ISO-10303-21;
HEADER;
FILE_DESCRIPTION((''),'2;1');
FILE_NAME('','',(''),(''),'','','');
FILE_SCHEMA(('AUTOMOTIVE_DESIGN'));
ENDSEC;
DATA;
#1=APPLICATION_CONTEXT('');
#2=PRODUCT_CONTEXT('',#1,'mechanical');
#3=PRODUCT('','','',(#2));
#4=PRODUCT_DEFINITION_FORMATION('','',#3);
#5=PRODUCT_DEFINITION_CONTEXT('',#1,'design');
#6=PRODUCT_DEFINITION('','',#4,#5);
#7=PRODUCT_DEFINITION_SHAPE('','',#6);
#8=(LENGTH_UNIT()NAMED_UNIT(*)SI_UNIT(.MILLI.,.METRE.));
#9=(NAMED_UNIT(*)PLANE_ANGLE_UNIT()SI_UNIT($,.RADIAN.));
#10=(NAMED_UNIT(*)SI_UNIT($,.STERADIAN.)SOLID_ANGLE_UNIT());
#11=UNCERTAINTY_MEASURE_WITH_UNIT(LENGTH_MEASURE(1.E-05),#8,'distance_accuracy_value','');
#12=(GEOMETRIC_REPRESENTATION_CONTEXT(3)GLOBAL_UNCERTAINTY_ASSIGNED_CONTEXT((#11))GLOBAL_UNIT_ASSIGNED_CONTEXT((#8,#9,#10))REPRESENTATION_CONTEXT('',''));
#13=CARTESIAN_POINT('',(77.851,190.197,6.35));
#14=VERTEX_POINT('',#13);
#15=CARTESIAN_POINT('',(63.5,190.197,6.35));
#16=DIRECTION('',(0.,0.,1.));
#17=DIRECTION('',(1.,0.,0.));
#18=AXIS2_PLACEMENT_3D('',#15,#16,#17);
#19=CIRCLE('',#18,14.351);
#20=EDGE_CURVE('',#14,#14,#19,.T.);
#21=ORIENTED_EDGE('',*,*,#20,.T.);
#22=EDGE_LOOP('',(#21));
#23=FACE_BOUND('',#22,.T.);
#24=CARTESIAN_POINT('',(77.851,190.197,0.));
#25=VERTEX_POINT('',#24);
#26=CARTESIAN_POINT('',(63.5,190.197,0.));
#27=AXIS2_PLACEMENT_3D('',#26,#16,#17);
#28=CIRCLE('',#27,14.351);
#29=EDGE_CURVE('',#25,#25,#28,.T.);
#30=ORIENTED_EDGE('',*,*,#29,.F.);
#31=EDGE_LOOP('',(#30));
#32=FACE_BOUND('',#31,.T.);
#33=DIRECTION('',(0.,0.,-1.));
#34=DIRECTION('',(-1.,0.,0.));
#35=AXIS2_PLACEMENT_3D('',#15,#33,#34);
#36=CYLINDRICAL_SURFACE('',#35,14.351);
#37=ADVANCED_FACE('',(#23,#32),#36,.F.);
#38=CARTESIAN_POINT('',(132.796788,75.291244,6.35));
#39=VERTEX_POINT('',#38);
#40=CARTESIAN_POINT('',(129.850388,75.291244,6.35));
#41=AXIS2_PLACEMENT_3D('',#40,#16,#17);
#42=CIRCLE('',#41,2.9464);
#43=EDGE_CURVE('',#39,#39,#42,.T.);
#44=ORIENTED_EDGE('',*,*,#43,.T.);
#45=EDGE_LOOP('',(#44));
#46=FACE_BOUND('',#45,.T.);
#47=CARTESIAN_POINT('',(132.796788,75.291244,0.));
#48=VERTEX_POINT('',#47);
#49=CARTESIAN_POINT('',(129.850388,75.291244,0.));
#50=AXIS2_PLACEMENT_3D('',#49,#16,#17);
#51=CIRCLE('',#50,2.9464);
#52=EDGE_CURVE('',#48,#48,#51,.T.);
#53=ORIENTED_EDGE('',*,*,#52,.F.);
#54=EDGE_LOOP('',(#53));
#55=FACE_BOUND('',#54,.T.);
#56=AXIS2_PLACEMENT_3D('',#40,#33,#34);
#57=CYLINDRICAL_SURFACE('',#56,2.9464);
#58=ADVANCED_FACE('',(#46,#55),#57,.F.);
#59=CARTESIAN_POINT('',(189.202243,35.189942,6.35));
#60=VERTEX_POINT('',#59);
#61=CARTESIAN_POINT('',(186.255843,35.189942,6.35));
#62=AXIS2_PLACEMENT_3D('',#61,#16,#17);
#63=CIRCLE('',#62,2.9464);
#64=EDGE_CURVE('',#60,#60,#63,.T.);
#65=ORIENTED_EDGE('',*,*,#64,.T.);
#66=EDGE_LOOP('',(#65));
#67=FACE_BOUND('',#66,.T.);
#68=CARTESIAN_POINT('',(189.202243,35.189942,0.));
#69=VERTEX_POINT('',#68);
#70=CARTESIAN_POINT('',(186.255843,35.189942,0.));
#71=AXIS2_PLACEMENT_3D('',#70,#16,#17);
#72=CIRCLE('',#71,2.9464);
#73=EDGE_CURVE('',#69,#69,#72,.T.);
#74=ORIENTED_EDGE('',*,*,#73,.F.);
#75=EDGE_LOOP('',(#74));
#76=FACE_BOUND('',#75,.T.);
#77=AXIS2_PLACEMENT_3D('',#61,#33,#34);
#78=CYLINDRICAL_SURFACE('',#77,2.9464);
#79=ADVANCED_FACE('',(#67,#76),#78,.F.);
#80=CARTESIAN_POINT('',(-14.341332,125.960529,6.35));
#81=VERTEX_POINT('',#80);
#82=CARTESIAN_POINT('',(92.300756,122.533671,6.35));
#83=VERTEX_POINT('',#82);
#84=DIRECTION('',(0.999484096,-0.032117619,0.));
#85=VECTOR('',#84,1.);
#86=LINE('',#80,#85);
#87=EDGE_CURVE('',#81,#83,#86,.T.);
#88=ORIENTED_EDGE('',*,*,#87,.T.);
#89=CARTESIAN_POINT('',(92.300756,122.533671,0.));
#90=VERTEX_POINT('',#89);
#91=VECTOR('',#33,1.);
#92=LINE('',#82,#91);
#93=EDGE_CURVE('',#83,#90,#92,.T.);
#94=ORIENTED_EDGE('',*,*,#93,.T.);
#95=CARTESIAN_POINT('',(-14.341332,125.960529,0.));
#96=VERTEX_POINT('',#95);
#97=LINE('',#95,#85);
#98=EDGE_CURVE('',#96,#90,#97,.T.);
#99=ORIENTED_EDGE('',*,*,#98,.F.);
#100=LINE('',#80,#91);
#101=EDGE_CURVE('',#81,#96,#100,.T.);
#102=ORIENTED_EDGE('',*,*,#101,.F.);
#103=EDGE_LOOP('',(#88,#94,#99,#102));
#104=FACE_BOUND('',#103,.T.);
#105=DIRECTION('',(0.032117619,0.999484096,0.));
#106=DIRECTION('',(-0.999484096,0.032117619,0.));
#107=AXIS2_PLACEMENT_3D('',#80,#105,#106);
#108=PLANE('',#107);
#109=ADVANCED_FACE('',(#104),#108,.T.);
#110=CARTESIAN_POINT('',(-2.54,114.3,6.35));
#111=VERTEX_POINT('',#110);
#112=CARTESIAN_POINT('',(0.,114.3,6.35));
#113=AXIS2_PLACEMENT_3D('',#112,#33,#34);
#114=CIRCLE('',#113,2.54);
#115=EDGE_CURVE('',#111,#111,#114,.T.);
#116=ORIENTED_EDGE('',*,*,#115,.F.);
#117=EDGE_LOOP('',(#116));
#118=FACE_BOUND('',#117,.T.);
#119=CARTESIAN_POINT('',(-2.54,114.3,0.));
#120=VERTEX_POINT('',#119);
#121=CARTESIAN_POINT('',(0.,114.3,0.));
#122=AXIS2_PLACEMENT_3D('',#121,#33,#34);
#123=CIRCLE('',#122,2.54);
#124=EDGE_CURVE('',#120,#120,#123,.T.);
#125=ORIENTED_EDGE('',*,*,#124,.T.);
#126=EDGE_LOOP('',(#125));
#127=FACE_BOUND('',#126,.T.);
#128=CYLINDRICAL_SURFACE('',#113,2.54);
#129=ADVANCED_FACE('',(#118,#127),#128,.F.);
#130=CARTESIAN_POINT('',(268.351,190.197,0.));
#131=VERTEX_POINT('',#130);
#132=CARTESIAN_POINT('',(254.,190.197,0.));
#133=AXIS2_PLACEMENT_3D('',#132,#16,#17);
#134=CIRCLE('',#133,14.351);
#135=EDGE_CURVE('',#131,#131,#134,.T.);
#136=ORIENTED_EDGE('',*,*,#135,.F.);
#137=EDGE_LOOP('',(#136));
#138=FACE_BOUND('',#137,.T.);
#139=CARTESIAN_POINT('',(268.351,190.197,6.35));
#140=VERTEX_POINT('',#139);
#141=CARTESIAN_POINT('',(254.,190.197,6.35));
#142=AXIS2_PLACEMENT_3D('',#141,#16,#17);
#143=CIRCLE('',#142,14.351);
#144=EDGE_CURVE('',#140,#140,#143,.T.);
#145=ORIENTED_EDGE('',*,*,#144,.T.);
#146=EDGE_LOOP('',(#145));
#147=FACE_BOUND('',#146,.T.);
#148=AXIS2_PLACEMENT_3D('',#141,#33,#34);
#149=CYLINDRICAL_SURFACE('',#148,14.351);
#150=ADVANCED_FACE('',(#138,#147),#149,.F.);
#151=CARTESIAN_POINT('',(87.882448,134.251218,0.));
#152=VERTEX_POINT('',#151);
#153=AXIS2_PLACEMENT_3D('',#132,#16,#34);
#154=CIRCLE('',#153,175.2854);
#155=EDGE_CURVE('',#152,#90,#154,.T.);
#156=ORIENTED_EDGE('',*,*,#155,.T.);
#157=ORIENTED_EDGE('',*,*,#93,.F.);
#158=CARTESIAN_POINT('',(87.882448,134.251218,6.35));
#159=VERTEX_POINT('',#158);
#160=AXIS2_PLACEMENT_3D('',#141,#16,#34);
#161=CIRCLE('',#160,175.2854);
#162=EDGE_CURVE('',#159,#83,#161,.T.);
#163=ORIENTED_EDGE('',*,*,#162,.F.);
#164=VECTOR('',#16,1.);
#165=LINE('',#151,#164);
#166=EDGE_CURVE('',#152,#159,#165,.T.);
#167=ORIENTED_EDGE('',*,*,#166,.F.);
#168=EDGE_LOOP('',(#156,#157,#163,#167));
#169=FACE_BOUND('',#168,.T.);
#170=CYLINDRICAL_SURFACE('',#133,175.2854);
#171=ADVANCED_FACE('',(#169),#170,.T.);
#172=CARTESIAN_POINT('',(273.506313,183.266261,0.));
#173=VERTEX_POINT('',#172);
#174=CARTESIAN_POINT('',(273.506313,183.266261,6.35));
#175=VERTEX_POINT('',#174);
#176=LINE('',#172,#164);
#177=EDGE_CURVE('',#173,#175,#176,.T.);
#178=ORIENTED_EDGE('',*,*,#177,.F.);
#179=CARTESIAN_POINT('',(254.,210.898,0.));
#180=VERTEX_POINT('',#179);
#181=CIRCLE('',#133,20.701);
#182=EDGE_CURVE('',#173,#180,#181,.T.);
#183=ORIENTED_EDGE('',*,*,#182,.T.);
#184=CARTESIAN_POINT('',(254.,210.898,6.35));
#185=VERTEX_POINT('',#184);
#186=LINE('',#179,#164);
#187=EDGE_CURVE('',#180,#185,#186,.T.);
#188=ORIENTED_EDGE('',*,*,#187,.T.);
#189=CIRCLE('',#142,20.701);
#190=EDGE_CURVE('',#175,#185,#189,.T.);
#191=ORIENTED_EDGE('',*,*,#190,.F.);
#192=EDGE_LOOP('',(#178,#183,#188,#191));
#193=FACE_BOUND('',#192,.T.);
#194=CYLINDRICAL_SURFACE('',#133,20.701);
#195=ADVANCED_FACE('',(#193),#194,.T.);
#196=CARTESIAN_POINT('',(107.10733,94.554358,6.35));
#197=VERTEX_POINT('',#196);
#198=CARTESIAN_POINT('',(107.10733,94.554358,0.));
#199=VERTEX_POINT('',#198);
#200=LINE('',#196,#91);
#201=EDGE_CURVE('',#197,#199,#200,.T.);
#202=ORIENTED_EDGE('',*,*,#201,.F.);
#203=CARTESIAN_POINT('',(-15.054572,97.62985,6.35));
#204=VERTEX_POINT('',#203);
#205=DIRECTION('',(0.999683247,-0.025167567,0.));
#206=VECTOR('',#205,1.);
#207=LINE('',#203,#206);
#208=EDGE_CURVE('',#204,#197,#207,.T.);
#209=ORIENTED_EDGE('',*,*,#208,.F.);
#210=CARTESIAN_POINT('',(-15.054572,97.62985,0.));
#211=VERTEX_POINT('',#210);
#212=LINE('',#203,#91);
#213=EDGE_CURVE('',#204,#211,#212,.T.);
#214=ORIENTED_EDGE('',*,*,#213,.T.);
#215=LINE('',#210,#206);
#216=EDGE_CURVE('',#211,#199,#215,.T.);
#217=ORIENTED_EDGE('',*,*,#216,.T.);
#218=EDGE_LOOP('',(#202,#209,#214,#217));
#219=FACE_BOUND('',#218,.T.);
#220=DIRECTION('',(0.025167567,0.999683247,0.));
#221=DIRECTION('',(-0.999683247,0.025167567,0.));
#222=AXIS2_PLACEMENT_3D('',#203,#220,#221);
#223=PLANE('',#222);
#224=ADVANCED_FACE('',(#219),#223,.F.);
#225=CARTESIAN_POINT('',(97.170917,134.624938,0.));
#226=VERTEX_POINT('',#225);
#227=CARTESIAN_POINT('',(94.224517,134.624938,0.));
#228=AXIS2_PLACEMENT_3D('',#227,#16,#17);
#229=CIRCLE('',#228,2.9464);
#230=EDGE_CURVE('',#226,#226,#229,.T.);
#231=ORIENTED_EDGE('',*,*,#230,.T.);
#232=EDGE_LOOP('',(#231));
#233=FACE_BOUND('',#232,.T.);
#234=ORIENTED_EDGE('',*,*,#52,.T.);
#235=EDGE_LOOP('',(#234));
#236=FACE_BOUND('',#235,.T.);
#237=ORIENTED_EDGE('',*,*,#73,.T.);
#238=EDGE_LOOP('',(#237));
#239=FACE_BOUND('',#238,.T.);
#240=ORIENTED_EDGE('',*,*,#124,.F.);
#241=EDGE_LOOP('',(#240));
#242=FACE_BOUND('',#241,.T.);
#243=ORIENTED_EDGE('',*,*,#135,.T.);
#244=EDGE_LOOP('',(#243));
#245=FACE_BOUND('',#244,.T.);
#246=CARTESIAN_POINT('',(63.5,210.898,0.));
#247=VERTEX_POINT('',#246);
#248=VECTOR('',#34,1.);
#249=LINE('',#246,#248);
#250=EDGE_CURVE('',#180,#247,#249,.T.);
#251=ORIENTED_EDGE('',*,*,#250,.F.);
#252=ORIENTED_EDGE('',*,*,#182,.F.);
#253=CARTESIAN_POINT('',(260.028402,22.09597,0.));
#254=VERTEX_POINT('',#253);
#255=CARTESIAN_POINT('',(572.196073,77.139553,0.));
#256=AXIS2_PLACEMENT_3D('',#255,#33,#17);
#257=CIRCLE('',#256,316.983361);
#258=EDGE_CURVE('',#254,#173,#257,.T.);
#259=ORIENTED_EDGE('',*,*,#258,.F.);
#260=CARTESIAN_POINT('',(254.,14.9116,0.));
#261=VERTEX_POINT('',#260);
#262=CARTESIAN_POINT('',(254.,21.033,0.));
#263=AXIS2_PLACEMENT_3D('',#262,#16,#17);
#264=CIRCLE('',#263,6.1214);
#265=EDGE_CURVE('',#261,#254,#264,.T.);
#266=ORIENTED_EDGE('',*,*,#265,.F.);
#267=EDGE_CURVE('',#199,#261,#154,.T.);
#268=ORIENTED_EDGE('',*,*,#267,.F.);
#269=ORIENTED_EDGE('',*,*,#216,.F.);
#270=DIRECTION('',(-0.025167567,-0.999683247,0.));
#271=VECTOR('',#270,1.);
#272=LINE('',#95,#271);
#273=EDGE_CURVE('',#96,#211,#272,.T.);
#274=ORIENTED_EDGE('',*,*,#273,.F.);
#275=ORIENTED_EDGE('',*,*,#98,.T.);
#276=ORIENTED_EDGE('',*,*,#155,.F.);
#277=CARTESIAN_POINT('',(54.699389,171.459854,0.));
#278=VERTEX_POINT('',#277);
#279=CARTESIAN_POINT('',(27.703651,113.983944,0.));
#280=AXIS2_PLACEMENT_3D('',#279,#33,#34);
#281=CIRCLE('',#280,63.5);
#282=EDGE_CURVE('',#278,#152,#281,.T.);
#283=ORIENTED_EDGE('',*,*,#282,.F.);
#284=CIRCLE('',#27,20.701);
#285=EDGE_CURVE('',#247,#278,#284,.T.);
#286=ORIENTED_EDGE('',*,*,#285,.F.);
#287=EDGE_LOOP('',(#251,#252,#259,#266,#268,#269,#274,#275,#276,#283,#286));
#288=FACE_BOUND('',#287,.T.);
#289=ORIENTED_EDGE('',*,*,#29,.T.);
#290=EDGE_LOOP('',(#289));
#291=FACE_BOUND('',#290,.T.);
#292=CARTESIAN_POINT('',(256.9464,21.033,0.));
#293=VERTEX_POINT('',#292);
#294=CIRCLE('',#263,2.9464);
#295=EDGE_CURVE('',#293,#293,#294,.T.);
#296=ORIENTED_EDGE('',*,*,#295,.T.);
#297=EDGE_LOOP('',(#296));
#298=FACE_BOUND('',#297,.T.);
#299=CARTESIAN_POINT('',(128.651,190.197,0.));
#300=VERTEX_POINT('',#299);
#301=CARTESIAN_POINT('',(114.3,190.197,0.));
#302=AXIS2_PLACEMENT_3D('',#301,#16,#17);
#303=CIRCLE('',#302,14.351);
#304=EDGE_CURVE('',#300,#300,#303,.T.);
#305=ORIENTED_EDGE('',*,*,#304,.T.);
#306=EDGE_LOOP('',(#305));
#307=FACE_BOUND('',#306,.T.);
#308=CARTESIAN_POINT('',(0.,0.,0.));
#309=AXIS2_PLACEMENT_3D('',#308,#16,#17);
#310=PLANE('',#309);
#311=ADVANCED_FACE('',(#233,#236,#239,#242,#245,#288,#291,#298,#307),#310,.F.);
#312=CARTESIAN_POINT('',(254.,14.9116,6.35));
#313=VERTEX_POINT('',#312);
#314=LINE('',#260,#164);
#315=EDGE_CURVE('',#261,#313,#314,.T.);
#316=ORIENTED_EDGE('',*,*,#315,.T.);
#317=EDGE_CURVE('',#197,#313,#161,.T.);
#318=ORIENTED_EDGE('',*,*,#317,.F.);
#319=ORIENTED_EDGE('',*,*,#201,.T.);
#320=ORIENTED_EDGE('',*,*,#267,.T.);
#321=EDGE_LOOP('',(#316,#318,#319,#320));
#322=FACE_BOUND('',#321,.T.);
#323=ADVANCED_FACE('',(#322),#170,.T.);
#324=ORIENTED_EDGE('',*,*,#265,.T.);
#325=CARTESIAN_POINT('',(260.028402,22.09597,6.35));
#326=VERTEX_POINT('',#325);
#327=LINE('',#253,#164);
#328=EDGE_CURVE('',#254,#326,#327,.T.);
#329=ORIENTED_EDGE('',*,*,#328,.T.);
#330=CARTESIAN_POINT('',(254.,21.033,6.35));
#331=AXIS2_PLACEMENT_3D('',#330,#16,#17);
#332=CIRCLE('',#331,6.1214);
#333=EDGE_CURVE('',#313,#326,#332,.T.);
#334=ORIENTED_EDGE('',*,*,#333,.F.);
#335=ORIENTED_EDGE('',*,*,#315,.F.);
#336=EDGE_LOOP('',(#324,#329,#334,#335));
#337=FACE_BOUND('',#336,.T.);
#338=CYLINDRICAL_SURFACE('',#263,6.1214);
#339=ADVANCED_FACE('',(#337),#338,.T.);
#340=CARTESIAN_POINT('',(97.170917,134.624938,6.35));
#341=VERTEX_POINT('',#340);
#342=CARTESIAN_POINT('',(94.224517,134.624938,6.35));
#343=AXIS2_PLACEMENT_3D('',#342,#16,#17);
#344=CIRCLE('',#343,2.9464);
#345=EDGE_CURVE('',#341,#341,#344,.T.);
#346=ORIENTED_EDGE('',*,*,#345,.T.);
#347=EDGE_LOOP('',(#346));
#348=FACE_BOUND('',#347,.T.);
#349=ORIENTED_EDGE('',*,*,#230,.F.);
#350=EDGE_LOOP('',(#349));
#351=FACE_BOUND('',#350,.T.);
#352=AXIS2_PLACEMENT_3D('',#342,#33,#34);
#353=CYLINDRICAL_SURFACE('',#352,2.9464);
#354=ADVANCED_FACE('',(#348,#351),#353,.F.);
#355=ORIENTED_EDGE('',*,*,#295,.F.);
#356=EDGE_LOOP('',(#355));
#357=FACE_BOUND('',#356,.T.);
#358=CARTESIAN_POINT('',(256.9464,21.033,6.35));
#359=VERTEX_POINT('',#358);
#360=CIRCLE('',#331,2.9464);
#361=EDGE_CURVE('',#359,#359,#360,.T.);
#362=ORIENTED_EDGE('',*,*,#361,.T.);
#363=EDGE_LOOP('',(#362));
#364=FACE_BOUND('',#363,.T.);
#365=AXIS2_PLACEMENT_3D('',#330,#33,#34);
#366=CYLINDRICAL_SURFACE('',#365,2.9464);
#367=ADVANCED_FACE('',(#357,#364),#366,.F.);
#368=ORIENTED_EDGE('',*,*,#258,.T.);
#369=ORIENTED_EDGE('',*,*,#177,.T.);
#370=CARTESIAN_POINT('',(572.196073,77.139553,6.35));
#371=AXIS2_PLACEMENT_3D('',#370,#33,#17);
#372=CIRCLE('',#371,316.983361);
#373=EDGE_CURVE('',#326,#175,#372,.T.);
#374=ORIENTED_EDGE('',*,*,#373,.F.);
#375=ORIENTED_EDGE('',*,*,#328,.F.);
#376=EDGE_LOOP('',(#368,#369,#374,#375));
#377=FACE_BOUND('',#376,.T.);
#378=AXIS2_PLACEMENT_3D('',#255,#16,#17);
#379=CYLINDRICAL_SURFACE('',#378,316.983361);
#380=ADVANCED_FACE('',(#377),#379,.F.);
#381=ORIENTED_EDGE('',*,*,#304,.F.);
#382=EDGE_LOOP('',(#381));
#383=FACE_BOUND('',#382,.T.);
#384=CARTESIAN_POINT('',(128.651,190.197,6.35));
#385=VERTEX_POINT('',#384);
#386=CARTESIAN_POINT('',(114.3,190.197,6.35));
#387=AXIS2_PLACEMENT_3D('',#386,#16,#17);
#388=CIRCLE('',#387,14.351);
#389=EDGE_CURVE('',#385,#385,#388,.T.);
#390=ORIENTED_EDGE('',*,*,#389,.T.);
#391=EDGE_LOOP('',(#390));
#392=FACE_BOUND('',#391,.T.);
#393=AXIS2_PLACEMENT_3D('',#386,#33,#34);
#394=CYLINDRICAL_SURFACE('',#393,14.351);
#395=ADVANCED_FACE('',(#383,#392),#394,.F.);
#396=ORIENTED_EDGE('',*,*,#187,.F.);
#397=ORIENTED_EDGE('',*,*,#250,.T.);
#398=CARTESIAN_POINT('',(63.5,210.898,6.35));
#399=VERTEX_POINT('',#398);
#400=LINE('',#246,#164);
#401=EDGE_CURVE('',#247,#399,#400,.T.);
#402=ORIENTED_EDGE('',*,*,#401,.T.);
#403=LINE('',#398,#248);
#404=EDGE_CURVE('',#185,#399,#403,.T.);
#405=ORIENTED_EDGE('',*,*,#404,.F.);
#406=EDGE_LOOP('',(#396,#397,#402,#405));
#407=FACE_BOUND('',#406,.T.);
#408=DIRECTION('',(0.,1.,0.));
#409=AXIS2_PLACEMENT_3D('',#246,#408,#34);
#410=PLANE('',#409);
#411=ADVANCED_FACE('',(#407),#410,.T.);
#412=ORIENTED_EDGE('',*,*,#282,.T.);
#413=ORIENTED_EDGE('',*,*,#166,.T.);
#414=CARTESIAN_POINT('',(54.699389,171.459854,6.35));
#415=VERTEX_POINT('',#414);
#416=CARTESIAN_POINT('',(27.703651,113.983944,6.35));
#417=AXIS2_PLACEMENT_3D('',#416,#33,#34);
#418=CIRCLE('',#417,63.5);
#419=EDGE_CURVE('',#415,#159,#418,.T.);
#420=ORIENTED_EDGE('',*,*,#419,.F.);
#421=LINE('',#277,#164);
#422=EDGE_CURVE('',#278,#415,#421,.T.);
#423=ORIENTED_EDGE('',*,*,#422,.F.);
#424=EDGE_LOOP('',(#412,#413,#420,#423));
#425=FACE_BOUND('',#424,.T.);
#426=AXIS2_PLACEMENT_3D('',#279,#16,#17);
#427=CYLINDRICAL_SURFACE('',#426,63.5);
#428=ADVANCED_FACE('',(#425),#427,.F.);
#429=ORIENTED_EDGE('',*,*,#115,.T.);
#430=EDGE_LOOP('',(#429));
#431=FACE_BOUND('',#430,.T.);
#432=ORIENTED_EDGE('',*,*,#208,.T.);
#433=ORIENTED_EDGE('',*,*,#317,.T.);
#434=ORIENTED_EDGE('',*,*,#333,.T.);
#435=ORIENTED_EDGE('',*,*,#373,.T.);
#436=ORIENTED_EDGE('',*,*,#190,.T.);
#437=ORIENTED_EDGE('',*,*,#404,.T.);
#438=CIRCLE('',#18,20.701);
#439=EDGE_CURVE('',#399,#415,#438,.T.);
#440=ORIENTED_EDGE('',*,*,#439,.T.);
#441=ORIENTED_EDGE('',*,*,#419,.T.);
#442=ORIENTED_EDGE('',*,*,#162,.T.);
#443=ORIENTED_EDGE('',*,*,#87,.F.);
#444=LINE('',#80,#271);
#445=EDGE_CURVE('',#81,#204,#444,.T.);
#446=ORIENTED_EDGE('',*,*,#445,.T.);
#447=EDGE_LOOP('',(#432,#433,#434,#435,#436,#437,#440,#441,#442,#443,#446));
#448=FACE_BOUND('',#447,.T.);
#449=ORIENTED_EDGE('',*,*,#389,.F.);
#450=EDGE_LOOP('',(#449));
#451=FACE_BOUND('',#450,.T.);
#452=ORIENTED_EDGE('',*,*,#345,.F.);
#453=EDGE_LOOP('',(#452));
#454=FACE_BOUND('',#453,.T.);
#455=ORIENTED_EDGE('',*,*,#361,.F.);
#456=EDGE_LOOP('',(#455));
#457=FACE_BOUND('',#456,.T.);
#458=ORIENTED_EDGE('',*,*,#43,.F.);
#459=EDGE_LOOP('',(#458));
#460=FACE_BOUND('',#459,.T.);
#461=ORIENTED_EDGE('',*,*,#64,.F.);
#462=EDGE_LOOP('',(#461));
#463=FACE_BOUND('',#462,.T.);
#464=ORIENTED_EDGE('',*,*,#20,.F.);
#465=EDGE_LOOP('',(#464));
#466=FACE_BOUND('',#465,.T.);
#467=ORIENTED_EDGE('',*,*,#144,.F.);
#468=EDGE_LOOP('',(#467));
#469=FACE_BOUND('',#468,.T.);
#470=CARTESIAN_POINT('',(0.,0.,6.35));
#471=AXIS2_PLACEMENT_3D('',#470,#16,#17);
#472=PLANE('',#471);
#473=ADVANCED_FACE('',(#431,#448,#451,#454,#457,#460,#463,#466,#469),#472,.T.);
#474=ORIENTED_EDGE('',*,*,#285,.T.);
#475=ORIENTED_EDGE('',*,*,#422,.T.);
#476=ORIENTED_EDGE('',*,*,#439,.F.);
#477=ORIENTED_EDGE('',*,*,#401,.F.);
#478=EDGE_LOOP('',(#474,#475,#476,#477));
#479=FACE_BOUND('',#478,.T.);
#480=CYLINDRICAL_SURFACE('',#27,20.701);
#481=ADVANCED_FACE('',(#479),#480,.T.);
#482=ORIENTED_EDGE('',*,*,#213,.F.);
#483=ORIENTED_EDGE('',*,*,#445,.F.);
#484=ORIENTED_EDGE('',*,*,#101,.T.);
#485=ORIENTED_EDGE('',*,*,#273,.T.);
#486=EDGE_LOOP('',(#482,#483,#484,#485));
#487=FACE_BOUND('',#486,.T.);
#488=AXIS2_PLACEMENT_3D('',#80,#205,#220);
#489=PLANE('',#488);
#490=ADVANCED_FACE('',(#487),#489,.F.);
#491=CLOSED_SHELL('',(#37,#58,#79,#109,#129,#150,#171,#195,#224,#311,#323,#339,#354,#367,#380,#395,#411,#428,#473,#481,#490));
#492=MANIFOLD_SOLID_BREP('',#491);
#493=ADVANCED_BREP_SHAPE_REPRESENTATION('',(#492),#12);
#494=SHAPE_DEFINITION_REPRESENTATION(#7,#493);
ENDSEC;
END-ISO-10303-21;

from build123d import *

# Parameters (mm, degrees)
SKETCH1_W           = 342.9
SKETCH1_H           = 225.424999902
SKETCH1_R           = 14.351
SKETCH1_R_2         = 2.9464
BOSS_EXTRUDE1_DEPTH = 6.35
SKETCH3_W           = 82.55
SKETCH3_H           = 25.4
SKETCH3_W_2         = 107.95
BOSS_EXTRUDE2_DEPTH = 6.35
SKETCH2_W           = 349.25
SKETCH2_H           = 250.824999902
CUT_EXTRUDE1_DEPTH  = 425.892825399
SKETCH4_R           = 2.54
BOSS_EXTRUDE3_DEPTH = 6.35


with BuildPart() as part:
    # Sketch1 → Boss-Extrude1 (new body)
    with BuildSketch(Plane.XY):
        with Locations((171.45, 112.712499951)):
            Rectangle(SKETCH1_W, SKETCH1_H)
        with Locations((254, 190.196999902)):
            Circle(SKETCH1_R, mode=Mode.SUBTRACT)
        with Locations((254, 21.032999902)):
            Circle(SKETCH1_R_2, mode=Mode.SUBTRACT)
        with Locations((186.255842738, 35.189941827)):
            Circle(SKETCH1_R_2, mode=Mode.SUBTRACT)
        with Locations((129.850387567, 75.291244482)):
            Circle(SKETCH1_R_2, mode=Mode.SUBTRACT)
        with Locations((63.5, 190.196999902)):
            Circle(SKETCH1_R, mode=Mode.SUBTRACT)
        with Locations((94.224517333, 134.624938265)):
            Circle(SKETCH1_R_2, mode=Mode.SUBTRACT)
        with Locations((114.3, 190.196999902)):
            Circle(SKETCH1_R, mode=Mode.SUBTRACT)
    extrude(amount=BOSS_EXTRUDE1_DEPTH)

    # Sketch3 → Boss-Extrude2 (add)
    with BuildSketch(Plane.XY.offset(6.35)):
        with Locations((41.275, 238.124999902)):
            Rectangle(SKETCH3_W, SKETCH3_H)
        with Locations((288.925, 238.124999902)):
            Rectangle(SKETCH3_W_2, SKETCH3_H)
    extrude(amount=-BOSS_EXTRUDE2_DEPTH)

    # Sketch2 → Cut-Extrude1 (cut, through all)
    with BuildSketch(Plane.XY.offset(6.35)):
        with Locations((174.625, 125.412499951)):
            Rectangle(SKETCH2_W, SKETCH2_H)
        with BuildLine():
            Line((63.5, 210.897999902), (254, 210.897999902))
            ThreePointArc((254, 210.897999902), (270.911602996, 202.135554467), (273.506313236, 183.266260769))
            ThreePointArc((273.506313236, 183.266260769), (256.315295195, 103.55517199), (260.028402179, 22.095969857))
            ThreePointArc((260.028402179, 22.095969857), (258.689264454, 17.098239828), (254, 14.911599902))
            ThreePointArc((254, 14.911599902), (151.729543137, 47.839263526), (87.882448428, 134.251217999))
            ThreePointArc((87.882448428, 134.251217999), (75.095322901, 156.248343931), (54.699389386, 171.459853539))
            ThreePointArc((54.699389386, 171.459853539), (43.295927788, 194.705532598), (63.5, 210.897999902))
        make_face(mode=Mode.SUBTRACT)
    extrude(amount=-CUT_EXTRUDE1_DEPTH, mode=Mode.SUBTRACT)

    # Sketch4 → Boss-Extrude3 (add, through all)
    with BuildSketch(Plane(origin=(0, 0, 0), x_dir=(-1, 0, 0), z_dir=(0, 0, -1))):
        with BuildLine():
            Line((14.341332207, 125.960529154), (-92.300756311, 122.533671254))
            ThreePointArc((-92.300756311, 122.533671254), (-99.071136292, 108.209082235), (-107.107329861, 94.554358196))
            Line((-107.107329861, 94.554358196), (15.054572396, 97.629850266))
            Line((15.054572396, 97.629850266), (14.341332207, 125.960529154))
        make_face()
        with Locations((0, 114.3)):
            Circle(SKETCH4_R, mode=Mode.SUBTRACT)
    extrude(amount=-BOSS_EXTRUDE3_DEPTH)


solid = part.part
